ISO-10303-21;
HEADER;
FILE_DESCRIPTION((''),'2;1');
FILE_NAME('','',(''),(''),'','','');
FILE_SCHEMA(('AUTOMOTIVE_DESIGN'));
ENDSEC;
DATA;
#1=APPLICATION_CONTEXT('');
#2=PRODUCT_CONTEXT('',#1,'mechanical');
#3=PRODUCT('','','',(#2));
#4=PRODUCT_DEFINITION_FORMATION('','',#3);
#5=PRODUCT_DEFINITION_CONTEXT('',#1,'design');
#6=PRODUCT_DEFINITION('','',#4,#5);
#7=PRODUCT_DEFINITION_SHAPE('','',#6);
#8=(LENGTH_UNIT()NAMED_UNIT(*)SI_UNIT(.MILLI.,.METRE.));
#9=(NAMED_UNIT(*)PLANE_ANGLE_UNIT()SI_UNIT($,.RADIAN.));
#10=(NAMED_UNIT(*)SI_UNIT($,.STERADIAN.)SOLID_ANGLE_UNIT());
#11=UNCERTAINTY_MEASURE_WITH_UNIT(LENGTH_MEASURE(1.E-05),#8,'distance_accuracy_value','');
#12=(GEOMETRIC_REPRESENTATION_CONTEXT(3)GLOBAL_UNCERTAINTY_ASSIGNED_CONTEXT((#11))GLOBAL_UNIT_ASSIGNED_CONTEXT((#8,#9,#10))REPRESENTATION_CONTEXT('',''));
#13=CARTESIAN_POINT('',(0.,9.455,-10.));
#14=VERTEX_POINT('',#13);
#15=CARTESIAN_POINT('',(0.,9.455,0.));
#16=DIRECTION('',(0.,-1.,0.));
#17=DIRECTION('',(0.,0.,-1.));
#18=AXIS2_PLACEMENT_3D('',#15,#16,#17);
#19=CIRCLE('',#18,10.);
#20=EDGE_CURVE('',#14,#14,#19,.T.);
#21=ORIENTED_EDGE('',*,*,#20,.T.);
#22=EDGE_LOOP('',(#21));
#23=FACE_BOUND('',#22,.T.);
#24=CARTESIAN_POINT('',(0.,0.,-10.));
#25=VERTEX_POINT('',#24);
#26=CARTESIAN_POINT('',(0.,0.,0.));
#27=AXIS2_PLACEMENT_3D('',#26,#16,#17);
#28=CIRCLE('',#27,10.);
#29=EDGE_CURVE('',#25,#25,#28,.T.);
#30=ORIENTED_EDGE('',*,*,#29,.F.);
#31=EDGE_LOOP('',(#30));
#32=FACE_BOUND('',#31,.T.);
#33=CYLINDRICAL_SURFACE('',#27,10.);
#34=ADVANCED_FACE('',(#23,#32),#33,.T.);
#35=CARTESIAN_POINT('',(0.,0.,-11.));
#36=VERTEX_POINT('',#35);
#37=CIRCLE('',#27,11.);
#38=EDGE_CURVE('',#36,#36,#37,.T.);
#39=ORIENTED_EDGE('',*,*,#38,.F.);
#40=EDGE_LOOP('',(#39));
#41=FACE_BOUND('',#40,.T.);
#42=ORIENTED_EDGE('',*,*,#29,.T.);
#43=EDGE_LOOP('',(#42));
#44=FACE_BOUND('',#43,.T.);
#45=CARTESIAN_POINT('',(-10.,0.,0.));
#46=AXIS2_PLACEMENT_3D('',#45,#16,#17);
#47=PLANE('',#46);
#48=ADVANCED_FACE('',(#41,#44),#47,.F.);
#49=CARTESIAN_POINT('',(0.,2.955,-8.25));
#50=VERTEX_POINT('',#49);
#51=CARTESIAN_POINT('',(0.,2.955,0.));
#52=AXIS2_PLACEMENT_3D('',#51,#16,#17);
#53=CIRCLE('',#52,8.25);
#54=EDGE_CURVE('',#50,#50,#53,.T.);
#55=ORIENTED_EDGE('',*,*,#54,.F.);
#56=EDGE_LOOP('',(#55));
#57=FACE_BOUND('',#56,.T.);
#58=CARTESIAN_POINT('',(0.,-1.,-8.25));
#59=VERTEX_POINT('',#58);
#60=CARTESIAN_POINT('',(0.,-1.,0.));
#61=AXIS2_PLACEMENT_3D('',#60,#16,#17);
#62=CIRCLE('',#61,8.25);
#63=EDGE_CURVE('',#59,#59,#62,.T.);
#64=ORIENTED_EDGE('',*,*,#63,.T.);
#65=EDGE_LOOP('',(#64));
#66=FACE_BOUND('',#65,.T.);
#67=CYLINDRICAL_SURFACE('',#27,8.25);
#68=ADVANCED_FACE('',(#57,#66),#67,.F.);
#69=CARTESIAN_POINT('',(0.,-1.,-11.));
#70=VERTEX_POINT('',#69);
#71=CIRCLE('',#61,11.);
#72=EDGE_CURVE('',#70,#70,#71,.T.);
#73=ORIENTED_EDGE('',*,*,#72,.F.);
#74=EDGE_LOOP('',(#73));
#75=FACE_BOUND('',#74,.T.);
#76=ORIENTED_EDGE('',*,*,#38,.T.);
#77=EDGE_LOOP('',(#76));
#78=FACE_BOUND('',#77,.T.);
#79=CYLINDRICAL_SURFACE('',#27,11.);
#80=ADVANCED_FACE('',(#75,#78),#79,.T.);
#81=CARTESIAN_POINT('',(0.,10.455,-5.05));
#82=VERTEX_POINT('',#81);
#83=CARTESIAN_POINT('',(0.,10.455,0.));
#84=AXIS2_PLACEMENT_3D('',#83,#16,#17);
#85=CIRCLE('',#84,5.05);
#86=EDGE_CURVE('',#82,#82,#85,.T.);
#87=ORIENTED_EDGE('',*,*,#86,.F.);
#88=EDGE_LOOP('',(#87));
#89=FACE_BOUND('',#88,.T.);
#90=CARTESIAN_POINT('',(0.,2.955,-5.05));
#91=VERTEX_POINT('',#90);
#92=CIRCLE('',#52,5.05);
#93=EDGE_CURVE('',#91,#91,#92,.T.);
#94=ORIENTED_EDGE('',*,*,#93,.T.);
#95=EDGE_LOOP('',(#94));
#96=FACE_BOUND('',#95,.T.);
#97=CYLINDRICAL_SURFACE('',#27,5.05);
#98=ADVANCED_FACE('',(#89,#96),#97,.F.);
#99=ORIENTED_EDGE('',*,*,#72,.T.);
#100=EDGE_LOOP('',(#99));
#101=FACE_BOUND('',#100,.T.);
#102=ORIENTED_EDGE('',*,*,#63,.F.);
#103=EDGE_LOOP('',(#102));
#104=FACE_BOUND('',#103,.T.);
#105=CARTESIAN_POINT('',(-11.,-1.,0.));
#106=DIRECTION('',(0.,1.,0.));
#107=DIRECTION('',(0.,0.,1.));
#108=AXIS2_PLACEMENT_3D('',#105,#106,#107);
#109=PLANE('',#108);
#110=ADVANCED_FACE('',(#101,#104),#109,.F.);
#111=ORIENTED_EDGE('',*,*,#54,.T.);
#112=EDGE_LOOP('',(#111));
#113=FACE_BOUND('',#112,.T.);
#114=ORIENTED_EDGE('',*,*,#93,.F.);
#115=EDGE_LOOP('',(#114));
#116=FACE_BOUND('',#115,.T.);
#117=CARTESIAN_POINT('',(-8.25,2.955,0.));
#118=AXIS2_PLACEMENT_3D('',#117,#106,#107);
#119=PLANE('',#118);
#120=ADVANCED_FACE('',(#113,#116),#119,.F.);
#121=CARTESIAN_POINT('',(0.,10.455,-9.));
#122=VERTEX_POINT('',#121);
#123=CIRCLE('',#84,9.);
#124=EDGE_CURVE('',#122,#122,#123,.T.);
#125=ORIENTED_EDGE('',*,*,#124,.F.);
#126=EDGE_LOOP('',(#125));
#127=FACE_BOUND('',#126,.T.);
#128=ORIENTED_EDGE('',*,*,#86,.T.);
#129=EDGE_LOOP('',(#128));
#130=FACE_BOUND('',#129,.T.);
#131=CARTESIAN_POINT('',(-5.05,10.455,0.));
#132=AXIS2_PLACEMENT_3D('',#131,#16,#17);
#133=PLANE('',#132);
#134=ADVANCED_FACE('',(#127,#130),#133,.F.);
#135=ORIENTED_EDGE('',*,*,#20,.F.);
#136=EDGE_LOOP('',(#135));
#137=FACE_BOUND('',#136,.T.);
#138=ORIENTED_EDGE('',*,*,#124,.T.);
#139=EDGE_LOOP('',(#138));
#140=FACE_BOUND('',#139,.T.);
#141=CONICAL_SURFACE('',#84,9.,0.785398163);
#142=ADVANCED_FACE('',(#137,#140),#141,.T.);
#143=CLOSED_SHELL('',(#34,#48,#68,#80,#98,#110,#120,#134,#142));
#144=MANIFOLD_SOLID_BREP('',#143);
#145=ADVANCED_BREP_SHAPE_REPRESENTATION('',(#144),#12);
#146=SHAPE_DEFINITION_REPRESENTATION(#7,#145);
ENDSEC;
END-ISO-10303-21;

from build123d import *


with BuildPart() as part:
    # Sketch2 → Revolve1 (revolve)
    with BuildSketch(Plane.XY):
        Polygon((-11, 0), (-11, -1), (-8.25, -1), (-8.25, 2.955), (-5.05, 2.955), (-5.05, 10.455), (-9, 10.455), (-10, 9.455), (-10, 0), align=None)
    revolve(axis=Axis((0, 0, 0), (0, 1, 0)))


solid = part.part
